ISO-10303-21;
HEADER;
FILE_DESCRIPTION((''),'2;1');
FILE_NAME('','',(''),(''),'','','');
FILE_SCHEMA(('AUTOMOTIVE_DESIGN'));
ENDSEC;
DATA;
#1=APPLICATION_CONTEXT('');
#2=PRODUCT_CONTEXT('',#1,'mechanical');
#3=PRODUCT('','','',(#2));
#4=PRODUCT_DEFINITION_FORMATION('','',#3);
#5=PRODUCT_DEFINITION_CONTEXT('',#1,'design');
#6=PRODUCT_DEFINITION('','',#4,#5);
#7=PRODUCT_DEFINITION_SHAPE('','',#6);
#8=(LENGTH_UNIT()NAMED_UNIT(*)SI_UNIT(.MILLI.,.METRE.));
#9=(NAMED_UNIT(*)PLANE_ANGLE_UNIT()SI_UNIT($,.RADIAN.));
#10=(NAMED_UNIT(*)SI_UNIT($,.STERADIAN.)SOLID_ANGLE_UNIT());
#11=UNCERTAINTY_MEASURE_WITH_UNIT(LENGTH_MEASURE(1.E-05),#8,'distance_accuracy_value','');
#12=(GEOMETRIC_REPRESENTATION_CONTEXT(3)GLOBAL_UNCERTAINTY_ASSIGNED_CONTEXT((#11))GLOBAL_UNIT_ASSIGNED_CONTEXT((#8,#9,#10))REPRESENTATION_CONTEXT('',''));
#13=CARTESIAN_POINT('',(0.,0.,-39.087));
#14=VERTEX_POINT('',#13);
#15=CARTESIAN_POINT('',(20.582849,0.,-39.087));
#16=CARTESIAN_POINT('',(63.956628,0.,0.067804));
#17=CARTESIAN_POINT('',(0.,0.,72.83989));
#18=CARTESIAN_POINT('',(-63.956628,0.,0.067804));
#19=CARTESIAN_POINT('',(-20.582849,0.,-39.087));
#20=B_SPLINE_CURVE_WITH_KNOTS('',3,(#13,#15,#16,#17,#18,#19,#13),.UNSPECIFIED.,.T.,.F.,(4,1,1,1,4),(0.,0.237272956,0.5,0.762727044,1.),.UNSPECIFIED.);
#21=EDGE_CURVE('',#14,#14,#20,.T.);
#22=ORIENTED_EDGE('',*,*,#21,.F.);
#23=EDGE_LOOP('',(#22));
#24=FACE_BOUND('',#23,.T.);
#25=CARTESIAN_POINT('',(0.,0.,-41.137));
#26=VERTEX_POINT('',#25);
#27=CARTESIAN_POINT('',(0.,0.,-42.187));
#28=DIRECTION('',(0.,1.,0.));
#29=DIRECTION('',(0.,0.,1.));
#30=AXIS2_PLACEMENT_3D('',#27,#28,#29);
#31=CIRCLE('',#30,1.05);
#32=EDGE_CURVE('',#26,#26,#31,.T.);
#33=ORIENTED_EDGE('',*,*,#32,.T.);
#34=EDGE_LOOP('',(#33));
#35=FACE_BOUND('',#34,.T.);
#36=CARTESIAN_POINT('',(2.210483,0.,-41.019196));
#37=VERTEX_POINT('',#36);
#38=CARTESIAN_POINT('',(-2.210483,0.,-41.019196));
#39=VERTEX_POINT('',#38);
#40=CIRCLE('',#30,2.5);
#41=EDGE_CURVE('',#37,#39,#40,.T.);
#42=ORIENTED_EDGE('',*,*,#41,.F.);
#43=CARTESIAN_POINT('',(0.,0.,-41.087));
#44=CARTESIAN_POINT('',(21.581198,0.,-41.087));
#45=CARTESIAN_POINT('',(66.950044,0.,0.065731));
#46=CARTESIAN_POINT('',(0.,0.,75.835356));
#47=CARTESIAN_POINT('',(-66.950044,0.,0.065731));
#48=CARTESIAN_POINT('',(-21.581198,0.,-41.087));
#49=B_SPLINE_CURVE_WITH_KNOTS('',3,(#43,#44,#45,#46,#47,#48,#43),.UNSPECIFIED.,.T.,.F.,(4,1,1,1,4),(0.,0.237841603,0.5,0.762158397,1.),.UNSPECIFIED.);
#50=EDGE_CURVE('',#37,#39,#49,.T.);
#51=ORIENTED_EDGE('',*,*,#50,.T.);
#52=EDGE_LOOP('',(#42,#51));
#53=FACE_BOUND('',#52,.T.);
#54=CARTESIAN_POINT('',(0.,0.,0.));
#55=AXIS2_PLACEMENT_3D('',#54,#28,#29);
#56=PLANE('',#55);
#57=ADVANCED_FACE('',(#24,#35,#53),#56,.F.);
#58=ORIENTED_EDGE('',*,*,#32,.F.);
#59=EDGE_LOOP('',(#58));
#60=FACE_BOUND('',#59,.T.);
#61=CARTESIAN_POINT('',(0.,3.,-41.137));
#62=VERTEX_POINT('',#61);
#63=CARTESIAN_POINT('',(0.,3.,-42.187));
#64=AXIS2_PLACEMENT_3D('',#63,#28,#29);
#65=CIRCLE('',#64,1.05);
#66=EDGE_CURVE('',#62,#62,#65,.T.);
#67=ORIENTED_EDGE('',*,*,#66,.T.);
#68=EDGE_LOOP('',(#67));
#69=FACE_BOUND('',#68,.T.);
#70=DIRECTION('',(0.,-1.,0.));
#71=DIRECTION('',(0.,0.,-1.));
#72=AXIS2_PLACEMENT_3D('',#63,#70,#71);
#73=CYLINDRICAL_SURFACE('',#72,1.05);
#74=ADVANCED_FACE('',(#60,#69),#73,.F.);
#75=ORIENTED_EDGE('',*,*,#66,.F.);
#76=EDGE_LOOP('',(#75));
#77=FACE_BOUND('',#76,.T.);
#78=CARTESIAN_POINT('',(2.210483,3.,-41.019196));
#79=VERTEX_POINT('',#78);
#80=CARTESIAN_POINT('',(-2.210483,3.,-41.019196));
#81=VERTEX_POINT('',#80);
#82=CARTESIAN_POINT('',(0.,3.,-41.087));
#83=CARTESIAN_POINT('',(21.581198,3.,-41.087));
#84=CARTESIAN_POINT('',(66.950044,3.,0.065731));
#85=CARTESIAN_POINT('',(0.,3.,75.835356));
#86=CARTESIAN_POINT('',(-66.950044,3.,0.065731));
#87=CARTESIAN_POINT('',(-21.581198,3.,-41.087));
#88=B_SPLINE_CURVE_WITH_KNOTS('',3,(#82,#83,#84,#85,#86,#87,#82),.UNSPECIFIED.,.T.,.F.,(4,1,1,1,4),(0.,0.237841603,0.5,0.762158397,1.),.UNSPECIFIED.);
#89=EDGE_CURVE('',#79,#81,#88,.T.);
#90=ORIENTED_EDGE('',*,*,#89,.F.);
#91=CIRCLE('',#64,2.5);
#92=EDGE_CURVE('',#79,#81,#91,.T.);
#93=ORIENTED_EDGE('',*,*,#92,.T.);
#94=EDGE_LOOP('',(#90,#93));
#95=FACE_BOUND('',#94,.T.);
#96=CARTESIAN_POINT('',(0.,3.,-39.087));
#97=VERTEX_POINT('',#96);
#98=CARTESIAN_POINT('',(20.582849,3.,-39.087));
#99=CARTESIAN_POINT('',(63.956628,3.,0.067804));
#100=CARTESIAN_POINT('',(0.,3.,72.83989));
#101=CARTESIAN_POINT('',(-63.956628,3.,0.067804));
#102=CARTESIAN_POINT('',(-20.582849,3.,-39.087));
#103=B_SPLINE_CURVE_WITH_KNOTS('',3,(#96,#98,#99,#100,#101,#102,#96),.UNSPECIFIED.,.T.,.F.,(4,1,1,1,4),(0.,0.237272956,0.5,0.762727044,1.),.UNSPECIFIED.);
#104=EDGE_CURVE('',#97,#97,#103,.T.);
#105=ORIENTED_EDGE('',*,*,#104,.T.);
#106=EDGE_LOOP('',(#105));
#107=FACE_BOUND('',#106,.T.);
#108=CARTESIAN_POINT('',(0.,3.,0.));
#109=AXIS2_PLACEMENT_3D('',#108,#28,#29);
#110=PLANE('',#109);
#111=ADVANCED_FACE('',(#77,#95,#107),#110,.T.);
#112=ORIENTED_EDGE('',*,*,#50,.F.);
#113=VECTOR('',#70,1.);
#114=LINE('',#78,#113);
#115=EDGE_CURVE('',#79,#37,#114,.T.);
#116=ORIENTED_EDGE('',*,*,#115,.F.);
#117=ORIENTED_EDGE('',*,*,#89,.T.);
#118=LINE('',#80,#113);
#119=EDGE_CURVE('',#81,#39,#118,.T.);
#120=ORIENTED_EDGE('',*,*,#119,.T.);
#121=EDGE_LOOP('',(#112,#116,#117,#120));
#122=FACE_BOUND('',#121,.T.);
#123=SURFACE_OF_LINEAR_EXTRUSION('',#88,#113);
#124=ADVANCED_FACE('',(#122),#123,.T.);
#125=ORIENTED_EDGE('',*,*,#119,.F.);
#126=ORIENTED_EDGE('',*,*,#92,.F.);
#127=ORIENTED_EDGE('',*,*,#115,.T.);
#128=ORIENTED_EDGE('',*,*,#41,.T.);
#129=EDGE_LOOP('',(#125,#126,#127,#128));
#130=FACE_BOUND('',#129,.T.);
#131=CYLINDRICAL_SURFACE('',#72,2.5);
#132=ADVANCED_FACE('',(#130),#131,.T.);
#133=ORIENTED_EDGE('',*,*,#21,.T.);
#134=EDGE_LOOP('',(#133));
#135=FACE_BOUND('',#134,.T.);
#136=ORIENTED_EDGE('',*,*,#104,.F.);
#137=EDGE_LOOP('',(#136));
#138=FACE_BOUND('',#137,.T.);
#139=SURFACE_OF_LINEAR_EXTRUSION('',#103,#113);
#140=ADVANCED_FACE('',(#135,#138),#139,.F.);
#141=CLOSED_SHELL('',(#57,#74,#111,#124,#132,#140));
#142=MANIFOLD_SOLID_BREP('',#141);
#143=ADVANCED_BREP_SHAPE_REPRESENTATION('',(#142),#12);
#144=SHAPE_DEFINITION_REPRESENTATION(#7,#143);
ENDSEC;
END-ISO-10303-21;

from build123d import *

# Parameters (mm, degrees)
SKETCH1_R           = 1.05
BOSS_EXTRUDE1_DEPTH = 3


with BuildPart() as part:
    # Sketch1 → Boss-Extrude1 (new body)
    # profile 1 of 2: a face of its own
    with BuildSketch(Plane(origin=(0, 0, 0), x_dir=(1, 0, 0), z_dir=(0, 1, 0))):
        with BuildLine():
            add(Edge.make_bspline(
                [(0, 41.087), (0.737095875, 41.087), (1.47419175, 41.064164352), (2.210482646, 41.019195875)],
                knots=[0, 0, 0, 0, 0.00812337, 0.00812337, 0.00812337, 0.00812337], degree=3))
            ThreePointArc((2.210482646, 41.019195875), (0, 44.687), (-2.210482646, 41.019195875))
            add(Edge.make_bspline(
                [(-2.210482646, 41.019195875), (-1.47419175, 41.064164352), (-0.737095875, 41.087), (0, 41.087)],
                knots=[0.99187663, 0.99187663, 0.99187663, 0.99187663, 1, 1, 1, 1], degree=3))
        make_face()
        with Locations(Location((0, 42.187, 0), (0, 0, 270))):
            Circle(SKETCH1_R, mode=Mode.SUBTRACT)
    # profile 2 of 2: a face of its own
    with BuildSketch(Plane(origin=(0, 0, 0), x_dir=(1, 0, 0), z_dir=(0, 1, 0))):
        with BuildLine():
            add(Edge.make_bspline(
                [(0, 41.087), (21.581198156, 41.087), (66.950044325, -0.065731266), (0, -75.835355827), (-66.950044325, -0.065731266), (-21.581198156, 41.087), (0, 41.087)],
                knots=[0, 0, 0, 0, 0.237841603, 0.5, 0.762158397, 1, 1, 1, 1], degree=3))
        make_face()
        with BuildLine():
            add(Edge.make_bspline(
                [(0, 39.087), (20.582849429, 39.087), (63.956628169, -0.067804228), (0, -72.839890093), (-63.956628169, -0.067804228), (-20.582849429, 39.087), (0, 39.087)],
                knots=[0, 0, 0, 0, 0.237272956, 0.5, 0.762727044, 1, 1, 1, 1], degree=3))
        make_face(mode=Mode.SUBTRACT)
    extrude(amount=BOSS_EXTRUDE1_DEPTH)


solid = part.part
